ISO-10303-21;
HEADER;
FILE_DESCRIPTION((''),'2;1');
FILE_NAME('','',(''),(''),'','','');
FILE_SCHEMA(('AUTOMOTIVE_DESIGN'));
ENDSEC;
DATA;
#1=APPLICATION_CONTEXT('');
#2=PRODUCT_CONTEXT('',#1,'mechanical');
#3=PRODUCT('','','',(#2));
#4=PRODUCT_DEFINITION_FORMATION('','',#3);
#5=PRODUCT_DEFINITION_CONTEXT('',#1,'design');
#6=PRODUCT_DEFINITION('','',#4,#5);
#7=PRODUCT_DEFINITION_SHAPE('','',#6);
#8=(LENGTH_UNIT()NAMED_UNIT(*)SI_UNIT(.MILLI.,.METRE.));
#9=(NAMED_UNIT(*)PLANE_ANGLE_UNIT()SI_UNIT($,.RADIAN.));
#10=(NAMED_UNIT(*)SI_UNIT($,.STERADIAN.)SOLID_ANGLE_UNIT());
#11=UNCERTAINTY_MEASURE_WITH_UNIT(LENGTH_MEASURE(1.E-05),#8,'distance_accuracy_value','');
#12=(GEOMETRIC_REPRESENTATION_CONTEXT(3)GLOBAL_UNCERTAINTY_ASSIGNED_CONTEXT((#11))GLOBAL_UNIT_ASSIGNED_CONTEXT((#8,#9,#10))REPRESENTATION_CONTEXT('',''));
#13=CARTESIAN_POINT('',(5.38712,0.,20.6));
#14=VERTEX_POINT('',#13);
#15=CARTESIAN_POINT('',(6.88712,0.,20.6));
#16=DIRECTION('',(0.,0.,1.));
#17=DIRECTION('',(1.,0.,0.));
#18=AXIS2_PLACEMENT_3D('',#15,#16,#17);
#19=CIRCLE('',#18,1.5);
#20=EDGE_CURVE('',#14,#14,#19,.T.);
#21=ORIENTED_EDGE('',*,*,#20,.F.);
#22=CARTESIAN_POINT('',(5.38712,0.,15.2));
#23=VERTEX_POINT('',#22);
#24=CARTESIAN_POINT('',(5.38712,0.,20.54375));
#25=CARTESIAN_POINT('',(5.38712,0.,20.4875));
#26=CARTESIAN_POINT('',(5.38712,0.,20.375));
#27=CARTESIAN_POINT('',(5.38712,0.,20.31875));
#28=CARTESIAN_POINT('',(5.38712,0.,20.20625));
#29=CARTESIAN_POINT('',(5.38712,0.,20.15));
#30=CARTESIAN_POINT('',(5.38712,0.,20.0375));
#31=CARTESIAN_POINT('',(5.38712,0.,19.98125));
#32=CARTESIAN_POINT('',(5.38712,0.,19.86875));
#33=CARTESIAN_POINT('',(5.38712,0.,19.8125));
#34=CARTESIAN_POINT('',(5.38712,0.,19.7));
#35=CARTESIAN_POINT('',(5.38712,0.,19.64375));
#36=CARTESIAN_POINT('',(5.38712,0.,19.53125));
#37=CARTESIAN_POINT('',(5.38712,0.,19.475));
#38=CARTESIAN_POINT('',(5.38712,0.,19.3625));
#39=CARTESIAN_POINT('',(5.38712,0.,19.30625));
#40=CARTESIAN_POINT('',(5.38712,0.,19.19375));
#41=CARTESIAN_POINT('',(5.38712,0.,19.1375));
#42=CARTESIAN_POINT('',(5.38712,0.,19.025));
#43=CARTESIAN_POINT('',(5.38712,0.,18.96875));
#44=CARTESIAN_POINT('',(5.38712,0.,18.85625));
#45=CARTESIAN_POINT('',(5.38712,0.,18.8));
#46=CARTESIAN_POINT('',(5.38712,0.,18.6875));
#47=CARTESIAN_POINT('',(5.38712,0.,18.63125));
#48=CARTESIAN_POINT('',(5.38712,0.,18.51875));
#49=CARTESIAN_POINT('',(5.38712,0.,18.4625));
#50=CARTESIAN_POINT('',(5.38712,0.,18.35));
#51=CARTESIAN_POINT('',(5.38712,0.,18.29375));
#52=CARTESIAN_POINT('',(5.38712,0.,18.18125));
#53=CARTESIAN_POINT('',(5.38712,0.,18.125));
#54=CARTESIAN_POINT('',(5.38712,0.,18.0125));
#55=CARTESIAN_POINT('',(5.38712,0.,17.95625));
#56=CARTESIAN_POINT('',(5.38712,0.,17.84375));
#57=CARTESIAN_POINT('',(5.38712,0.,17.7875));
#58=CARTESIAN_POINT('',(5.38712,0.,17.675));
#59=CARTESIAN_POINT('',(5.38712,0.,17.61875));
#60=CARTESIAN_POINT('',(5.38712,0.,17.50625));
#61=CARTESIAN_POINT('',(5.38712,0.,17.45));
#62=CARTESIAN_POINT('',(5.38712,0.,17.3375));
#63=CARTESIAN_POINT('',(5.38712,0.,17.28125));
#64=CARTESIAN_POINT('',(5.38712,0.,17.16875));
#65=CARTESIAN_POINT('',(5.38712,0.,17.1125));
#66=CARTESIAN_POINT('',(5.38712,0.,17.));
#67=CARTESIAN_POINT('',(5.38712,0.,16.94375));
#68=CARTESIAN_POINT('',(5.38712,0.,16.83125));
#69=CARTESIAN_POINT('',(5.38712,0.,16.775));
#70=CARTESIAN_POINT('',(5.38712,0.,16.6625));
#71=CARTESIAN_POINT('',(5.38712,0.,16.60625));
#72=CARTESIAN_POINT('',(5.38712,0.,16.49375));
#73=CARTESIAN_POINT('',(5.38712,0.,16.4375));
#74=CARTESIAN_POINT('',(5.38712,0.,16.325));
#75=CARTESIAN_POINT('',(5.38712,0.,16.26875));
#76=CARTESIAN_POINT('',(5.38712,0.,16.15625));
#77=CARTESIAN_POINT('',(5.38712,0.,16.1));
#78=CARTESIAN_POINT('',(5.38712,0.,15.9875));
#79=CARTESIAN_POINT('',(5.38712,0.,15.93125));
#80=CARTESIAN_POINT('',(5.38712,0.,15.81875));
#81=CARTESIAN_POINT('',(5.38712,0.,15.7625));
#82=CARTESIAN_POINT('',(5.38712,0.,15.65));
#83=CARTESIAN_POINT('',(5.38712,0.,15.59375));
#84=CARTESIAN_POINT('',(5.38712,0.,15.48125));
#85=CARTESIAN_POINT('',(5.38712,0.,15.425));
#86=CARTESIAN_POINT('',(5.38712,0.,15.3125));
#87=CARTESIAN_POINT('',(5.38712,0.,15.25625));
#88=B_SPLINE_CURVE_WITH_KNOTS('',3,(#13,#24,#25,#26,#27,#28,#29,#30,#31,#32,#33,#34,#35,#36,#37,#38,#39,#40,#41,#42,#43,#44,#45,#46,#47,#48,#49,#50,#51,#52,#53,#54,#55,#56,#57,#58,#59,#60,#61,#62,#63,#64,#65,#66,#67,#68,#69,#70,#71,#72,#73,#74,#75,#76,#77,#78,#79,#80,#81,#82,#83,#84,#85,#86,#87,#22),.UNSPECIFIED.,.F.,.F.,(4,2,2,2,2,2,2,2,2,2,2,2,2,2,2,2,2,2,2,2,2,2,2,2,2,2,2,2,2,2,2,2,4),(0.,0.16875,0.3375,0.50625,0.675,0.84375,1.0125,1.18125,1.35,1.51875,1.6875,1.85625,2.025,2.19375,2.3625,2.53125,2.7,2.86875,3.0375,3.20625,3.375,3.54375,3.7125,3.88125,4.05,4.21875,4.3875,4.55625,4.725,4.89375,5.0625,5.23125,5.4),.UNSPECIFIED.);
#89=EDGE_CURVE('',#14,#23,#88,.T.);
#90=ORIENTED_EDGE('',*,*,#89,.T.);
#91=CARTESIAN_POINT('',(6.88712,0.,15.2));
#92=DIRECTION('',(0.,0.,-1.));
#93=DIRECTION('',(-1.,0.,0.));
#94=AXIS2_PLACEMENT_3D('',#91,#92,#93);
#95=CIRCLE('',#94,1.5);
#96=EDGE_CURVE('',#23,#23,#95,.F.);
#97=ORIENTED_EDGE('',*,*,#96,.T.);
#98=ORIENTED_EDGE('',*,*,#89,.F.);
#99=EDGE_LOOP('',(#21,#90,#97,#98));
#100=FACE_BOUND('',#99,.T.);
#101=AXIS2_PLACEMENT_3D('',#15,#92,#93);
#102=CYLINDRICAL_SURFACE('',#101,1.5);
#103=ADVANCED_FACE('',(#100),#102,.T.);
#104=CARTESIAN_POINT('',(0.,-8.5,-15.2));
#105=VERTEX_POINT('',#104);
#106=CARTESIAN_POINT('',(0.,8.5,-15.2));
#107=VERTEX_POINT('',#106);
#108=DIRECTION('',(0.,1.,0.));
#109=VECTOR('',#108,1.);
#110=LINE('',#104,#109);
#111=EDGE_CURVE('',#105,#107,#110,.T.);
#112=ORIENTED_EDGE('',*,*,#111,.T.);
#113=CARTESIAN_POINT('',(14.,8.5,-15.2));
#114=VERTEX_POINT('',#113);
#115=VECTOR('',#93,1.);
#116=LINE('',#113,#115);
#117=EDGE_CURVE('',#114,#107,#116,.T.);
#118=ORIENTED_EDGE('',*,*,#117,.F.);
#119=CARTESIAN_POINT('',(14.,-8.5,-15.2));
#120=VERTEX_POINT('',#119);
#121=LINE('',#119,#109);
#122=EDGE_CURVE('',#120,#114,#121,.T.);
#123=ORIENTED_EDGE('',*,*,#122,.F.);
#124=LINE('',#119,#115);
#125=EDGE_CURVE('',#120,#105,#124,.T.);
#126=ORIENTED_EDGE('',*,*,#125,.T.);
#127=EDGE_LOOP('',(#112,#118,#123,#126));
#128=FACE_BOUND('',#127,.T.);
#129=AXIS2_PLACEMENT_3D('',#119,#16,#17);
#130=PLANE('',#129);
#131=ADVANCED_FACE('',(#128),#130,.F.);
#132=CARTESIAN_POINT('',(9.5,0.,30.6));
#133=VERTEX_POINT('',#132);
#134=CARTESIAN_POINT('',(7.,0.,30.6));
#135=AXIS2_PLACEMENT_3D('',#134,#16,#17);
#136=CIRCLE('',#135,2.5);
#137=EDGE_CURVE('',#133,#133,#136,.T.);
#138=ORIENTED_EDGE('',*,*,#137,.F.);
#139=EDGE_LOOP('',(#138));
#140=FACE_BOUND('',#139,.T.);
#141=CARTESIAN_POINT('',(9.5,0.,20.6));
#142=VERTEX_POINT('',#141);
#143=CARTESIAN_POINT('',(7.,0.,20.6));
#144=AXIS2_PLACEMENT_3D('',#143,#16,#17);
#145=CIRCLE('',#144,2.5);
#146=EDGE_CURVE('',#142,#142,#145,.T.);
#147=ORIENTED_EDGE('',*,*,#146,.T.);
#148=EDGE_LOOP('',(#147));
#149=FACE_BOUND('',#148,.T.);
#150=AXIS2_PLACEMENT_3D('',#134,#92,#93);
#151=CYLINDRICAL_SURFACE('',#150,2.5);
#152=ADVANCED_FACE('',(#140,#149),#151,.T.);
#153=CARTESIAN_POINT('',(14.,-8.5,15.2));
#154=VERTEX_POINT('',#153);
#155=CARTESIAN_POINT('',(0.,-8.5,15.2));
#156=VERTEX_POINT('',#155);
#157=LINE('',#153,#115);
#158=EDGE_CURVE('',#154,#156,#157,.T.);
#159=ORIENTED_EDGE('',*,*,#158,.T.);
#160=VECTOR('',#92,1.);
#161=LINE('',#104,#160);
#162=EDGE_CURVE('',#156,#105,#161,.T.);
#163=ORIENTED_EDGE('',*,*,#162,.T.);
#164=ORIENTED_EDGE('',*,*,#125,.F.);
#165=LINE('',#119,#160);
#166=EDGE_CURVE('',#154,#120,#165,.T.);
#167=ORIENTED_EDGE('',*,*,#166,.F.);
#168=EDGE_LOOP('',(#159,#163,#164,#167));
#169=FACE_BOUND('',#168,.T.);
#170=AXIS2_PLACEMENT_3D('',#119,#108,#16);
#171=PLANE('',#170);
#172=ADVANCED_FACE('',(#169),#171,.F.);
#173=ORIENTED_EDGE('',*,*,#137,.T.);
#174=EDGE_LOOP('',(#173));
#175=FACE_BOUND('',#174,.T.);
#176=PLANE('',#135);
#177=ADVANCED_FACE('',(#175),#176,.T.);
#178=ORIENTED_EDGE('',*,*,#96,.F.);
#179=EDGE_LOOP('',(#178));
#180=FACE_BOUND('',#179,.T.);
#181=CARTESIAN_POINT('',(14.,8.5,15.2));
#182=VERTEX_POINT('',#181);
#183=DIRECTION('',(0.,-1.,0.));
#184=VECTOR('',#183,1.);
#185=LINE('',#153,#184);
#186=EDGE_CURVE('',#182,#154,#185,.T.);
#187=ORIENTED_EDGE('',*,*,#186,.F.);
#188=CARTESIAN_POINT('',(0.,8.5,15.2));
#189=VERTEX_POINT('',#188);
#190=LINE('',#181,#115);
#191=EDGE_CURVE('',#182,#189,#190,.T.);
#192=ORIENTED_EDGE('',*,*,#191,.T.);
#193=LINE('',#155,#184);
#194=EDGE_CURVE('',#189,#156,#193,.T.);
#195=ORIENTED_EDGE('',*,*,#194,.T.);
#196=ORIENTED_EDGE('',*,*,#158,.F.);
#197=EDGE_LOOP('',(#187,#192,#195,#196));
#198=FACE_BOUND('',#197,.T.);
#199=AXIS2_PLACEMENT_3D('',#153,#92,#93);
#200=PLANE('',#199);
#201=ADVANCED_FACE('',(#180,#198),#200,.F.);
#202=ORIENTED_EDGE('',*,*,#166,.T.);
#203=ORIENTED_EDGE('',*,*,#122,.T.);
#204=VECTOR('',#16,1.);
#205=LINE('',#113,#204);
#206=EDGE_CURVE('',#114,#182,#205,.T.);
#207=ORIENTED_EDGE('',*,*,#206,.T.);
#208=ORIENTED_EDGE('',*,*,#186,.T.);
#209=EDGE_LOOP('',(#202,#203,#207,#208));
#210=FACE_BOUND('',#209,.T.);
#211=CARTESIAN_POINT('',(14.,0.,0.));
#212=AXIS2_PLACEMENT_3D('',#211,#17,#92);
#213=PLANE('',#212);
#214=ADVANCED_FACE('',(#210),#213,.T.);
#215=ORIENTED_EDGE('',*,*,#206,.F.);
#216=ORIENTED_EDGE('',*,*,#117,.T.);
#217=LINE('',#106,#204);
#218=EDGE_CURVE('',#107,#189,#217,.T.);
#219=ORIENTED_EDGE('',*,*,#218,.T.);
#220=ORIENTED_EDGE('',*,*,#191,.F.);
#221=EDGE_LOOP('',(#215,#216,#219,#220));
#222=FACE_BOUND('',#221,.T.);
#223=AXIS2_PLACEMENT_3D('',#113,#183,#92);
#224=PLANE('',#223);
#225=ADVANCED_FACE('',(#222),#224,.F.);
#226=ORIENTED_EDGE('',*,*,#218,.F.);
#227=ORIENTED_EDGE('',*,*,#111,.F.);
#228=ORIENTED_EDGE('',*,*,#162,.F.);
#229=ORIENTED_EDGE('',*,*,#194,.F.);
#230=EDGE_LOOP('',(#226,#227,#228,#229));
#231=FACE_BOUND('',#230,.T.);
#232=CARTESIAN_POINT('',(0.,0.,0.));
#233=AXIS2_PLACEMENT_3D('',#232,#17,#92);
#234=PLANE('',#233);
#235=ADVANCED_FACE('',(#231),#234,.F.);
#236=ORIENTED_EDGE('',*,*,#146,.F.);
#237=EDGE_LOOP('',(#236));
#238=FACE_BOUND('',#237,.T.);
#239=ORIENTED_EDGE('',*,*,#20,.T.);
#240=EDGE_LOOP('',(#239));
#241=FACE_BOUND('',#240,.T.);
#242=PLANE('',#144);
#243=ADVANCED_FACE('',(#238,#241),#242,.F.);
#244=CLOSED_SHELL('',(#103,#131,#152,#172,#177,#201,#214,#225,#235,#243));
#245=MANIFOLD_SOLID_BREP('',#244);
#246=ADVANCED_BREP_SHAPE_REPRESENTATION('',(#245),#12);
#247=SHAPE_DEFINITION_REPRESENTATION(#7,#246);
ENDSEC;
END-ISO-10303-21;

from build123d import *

# Parameters (mm, degrees)
SKETCH1_W           = 30.4
SKETCH1_H           = 17
BOSS_EXTRUDE1_DEPTH = 14
SKETCH2_R           = 1.5
BOSS_EXTRUDE2_DEPTH = 5.4
SKETCH3_R           = 2.5
BOSS_EXTRUDE3_DEPTH = 10


with BuildPart() as part:
    # Sketch1 → Boss-Extrude1 (new body)
    with BuildSketch(Plane(origin=(0, 0, 0), x_dir=(0, 0, -1), z_dir=(1, 0, 0))):
        Rectangle(SKETCH1_W, SKETCH1_H)
    extrude(amount=BOSS_EXTRUDE1_DEPTH)

    # Sketch2 → Boss-Extrude2 (add)
    with BuildSketch(Plane.XY.offset(15.2)):
        with Locations(Location((6.88711981, 0, 0), (0, 0, 180))):
            Circle(SKETCH2_R)
    extrude(amount=BOSS_EXTRUDE2_DEPTH)

    # Sketch3 → Boss-Extrude3 (add)
    with BuildSketch(Plane.XY.offset(20.6)):
        with Locations((7, 0)):
            Circle(SKETCH3_R)
    extrude(amount=BOSS_EXTRUDE3_DEPTH)


solid = part.part
